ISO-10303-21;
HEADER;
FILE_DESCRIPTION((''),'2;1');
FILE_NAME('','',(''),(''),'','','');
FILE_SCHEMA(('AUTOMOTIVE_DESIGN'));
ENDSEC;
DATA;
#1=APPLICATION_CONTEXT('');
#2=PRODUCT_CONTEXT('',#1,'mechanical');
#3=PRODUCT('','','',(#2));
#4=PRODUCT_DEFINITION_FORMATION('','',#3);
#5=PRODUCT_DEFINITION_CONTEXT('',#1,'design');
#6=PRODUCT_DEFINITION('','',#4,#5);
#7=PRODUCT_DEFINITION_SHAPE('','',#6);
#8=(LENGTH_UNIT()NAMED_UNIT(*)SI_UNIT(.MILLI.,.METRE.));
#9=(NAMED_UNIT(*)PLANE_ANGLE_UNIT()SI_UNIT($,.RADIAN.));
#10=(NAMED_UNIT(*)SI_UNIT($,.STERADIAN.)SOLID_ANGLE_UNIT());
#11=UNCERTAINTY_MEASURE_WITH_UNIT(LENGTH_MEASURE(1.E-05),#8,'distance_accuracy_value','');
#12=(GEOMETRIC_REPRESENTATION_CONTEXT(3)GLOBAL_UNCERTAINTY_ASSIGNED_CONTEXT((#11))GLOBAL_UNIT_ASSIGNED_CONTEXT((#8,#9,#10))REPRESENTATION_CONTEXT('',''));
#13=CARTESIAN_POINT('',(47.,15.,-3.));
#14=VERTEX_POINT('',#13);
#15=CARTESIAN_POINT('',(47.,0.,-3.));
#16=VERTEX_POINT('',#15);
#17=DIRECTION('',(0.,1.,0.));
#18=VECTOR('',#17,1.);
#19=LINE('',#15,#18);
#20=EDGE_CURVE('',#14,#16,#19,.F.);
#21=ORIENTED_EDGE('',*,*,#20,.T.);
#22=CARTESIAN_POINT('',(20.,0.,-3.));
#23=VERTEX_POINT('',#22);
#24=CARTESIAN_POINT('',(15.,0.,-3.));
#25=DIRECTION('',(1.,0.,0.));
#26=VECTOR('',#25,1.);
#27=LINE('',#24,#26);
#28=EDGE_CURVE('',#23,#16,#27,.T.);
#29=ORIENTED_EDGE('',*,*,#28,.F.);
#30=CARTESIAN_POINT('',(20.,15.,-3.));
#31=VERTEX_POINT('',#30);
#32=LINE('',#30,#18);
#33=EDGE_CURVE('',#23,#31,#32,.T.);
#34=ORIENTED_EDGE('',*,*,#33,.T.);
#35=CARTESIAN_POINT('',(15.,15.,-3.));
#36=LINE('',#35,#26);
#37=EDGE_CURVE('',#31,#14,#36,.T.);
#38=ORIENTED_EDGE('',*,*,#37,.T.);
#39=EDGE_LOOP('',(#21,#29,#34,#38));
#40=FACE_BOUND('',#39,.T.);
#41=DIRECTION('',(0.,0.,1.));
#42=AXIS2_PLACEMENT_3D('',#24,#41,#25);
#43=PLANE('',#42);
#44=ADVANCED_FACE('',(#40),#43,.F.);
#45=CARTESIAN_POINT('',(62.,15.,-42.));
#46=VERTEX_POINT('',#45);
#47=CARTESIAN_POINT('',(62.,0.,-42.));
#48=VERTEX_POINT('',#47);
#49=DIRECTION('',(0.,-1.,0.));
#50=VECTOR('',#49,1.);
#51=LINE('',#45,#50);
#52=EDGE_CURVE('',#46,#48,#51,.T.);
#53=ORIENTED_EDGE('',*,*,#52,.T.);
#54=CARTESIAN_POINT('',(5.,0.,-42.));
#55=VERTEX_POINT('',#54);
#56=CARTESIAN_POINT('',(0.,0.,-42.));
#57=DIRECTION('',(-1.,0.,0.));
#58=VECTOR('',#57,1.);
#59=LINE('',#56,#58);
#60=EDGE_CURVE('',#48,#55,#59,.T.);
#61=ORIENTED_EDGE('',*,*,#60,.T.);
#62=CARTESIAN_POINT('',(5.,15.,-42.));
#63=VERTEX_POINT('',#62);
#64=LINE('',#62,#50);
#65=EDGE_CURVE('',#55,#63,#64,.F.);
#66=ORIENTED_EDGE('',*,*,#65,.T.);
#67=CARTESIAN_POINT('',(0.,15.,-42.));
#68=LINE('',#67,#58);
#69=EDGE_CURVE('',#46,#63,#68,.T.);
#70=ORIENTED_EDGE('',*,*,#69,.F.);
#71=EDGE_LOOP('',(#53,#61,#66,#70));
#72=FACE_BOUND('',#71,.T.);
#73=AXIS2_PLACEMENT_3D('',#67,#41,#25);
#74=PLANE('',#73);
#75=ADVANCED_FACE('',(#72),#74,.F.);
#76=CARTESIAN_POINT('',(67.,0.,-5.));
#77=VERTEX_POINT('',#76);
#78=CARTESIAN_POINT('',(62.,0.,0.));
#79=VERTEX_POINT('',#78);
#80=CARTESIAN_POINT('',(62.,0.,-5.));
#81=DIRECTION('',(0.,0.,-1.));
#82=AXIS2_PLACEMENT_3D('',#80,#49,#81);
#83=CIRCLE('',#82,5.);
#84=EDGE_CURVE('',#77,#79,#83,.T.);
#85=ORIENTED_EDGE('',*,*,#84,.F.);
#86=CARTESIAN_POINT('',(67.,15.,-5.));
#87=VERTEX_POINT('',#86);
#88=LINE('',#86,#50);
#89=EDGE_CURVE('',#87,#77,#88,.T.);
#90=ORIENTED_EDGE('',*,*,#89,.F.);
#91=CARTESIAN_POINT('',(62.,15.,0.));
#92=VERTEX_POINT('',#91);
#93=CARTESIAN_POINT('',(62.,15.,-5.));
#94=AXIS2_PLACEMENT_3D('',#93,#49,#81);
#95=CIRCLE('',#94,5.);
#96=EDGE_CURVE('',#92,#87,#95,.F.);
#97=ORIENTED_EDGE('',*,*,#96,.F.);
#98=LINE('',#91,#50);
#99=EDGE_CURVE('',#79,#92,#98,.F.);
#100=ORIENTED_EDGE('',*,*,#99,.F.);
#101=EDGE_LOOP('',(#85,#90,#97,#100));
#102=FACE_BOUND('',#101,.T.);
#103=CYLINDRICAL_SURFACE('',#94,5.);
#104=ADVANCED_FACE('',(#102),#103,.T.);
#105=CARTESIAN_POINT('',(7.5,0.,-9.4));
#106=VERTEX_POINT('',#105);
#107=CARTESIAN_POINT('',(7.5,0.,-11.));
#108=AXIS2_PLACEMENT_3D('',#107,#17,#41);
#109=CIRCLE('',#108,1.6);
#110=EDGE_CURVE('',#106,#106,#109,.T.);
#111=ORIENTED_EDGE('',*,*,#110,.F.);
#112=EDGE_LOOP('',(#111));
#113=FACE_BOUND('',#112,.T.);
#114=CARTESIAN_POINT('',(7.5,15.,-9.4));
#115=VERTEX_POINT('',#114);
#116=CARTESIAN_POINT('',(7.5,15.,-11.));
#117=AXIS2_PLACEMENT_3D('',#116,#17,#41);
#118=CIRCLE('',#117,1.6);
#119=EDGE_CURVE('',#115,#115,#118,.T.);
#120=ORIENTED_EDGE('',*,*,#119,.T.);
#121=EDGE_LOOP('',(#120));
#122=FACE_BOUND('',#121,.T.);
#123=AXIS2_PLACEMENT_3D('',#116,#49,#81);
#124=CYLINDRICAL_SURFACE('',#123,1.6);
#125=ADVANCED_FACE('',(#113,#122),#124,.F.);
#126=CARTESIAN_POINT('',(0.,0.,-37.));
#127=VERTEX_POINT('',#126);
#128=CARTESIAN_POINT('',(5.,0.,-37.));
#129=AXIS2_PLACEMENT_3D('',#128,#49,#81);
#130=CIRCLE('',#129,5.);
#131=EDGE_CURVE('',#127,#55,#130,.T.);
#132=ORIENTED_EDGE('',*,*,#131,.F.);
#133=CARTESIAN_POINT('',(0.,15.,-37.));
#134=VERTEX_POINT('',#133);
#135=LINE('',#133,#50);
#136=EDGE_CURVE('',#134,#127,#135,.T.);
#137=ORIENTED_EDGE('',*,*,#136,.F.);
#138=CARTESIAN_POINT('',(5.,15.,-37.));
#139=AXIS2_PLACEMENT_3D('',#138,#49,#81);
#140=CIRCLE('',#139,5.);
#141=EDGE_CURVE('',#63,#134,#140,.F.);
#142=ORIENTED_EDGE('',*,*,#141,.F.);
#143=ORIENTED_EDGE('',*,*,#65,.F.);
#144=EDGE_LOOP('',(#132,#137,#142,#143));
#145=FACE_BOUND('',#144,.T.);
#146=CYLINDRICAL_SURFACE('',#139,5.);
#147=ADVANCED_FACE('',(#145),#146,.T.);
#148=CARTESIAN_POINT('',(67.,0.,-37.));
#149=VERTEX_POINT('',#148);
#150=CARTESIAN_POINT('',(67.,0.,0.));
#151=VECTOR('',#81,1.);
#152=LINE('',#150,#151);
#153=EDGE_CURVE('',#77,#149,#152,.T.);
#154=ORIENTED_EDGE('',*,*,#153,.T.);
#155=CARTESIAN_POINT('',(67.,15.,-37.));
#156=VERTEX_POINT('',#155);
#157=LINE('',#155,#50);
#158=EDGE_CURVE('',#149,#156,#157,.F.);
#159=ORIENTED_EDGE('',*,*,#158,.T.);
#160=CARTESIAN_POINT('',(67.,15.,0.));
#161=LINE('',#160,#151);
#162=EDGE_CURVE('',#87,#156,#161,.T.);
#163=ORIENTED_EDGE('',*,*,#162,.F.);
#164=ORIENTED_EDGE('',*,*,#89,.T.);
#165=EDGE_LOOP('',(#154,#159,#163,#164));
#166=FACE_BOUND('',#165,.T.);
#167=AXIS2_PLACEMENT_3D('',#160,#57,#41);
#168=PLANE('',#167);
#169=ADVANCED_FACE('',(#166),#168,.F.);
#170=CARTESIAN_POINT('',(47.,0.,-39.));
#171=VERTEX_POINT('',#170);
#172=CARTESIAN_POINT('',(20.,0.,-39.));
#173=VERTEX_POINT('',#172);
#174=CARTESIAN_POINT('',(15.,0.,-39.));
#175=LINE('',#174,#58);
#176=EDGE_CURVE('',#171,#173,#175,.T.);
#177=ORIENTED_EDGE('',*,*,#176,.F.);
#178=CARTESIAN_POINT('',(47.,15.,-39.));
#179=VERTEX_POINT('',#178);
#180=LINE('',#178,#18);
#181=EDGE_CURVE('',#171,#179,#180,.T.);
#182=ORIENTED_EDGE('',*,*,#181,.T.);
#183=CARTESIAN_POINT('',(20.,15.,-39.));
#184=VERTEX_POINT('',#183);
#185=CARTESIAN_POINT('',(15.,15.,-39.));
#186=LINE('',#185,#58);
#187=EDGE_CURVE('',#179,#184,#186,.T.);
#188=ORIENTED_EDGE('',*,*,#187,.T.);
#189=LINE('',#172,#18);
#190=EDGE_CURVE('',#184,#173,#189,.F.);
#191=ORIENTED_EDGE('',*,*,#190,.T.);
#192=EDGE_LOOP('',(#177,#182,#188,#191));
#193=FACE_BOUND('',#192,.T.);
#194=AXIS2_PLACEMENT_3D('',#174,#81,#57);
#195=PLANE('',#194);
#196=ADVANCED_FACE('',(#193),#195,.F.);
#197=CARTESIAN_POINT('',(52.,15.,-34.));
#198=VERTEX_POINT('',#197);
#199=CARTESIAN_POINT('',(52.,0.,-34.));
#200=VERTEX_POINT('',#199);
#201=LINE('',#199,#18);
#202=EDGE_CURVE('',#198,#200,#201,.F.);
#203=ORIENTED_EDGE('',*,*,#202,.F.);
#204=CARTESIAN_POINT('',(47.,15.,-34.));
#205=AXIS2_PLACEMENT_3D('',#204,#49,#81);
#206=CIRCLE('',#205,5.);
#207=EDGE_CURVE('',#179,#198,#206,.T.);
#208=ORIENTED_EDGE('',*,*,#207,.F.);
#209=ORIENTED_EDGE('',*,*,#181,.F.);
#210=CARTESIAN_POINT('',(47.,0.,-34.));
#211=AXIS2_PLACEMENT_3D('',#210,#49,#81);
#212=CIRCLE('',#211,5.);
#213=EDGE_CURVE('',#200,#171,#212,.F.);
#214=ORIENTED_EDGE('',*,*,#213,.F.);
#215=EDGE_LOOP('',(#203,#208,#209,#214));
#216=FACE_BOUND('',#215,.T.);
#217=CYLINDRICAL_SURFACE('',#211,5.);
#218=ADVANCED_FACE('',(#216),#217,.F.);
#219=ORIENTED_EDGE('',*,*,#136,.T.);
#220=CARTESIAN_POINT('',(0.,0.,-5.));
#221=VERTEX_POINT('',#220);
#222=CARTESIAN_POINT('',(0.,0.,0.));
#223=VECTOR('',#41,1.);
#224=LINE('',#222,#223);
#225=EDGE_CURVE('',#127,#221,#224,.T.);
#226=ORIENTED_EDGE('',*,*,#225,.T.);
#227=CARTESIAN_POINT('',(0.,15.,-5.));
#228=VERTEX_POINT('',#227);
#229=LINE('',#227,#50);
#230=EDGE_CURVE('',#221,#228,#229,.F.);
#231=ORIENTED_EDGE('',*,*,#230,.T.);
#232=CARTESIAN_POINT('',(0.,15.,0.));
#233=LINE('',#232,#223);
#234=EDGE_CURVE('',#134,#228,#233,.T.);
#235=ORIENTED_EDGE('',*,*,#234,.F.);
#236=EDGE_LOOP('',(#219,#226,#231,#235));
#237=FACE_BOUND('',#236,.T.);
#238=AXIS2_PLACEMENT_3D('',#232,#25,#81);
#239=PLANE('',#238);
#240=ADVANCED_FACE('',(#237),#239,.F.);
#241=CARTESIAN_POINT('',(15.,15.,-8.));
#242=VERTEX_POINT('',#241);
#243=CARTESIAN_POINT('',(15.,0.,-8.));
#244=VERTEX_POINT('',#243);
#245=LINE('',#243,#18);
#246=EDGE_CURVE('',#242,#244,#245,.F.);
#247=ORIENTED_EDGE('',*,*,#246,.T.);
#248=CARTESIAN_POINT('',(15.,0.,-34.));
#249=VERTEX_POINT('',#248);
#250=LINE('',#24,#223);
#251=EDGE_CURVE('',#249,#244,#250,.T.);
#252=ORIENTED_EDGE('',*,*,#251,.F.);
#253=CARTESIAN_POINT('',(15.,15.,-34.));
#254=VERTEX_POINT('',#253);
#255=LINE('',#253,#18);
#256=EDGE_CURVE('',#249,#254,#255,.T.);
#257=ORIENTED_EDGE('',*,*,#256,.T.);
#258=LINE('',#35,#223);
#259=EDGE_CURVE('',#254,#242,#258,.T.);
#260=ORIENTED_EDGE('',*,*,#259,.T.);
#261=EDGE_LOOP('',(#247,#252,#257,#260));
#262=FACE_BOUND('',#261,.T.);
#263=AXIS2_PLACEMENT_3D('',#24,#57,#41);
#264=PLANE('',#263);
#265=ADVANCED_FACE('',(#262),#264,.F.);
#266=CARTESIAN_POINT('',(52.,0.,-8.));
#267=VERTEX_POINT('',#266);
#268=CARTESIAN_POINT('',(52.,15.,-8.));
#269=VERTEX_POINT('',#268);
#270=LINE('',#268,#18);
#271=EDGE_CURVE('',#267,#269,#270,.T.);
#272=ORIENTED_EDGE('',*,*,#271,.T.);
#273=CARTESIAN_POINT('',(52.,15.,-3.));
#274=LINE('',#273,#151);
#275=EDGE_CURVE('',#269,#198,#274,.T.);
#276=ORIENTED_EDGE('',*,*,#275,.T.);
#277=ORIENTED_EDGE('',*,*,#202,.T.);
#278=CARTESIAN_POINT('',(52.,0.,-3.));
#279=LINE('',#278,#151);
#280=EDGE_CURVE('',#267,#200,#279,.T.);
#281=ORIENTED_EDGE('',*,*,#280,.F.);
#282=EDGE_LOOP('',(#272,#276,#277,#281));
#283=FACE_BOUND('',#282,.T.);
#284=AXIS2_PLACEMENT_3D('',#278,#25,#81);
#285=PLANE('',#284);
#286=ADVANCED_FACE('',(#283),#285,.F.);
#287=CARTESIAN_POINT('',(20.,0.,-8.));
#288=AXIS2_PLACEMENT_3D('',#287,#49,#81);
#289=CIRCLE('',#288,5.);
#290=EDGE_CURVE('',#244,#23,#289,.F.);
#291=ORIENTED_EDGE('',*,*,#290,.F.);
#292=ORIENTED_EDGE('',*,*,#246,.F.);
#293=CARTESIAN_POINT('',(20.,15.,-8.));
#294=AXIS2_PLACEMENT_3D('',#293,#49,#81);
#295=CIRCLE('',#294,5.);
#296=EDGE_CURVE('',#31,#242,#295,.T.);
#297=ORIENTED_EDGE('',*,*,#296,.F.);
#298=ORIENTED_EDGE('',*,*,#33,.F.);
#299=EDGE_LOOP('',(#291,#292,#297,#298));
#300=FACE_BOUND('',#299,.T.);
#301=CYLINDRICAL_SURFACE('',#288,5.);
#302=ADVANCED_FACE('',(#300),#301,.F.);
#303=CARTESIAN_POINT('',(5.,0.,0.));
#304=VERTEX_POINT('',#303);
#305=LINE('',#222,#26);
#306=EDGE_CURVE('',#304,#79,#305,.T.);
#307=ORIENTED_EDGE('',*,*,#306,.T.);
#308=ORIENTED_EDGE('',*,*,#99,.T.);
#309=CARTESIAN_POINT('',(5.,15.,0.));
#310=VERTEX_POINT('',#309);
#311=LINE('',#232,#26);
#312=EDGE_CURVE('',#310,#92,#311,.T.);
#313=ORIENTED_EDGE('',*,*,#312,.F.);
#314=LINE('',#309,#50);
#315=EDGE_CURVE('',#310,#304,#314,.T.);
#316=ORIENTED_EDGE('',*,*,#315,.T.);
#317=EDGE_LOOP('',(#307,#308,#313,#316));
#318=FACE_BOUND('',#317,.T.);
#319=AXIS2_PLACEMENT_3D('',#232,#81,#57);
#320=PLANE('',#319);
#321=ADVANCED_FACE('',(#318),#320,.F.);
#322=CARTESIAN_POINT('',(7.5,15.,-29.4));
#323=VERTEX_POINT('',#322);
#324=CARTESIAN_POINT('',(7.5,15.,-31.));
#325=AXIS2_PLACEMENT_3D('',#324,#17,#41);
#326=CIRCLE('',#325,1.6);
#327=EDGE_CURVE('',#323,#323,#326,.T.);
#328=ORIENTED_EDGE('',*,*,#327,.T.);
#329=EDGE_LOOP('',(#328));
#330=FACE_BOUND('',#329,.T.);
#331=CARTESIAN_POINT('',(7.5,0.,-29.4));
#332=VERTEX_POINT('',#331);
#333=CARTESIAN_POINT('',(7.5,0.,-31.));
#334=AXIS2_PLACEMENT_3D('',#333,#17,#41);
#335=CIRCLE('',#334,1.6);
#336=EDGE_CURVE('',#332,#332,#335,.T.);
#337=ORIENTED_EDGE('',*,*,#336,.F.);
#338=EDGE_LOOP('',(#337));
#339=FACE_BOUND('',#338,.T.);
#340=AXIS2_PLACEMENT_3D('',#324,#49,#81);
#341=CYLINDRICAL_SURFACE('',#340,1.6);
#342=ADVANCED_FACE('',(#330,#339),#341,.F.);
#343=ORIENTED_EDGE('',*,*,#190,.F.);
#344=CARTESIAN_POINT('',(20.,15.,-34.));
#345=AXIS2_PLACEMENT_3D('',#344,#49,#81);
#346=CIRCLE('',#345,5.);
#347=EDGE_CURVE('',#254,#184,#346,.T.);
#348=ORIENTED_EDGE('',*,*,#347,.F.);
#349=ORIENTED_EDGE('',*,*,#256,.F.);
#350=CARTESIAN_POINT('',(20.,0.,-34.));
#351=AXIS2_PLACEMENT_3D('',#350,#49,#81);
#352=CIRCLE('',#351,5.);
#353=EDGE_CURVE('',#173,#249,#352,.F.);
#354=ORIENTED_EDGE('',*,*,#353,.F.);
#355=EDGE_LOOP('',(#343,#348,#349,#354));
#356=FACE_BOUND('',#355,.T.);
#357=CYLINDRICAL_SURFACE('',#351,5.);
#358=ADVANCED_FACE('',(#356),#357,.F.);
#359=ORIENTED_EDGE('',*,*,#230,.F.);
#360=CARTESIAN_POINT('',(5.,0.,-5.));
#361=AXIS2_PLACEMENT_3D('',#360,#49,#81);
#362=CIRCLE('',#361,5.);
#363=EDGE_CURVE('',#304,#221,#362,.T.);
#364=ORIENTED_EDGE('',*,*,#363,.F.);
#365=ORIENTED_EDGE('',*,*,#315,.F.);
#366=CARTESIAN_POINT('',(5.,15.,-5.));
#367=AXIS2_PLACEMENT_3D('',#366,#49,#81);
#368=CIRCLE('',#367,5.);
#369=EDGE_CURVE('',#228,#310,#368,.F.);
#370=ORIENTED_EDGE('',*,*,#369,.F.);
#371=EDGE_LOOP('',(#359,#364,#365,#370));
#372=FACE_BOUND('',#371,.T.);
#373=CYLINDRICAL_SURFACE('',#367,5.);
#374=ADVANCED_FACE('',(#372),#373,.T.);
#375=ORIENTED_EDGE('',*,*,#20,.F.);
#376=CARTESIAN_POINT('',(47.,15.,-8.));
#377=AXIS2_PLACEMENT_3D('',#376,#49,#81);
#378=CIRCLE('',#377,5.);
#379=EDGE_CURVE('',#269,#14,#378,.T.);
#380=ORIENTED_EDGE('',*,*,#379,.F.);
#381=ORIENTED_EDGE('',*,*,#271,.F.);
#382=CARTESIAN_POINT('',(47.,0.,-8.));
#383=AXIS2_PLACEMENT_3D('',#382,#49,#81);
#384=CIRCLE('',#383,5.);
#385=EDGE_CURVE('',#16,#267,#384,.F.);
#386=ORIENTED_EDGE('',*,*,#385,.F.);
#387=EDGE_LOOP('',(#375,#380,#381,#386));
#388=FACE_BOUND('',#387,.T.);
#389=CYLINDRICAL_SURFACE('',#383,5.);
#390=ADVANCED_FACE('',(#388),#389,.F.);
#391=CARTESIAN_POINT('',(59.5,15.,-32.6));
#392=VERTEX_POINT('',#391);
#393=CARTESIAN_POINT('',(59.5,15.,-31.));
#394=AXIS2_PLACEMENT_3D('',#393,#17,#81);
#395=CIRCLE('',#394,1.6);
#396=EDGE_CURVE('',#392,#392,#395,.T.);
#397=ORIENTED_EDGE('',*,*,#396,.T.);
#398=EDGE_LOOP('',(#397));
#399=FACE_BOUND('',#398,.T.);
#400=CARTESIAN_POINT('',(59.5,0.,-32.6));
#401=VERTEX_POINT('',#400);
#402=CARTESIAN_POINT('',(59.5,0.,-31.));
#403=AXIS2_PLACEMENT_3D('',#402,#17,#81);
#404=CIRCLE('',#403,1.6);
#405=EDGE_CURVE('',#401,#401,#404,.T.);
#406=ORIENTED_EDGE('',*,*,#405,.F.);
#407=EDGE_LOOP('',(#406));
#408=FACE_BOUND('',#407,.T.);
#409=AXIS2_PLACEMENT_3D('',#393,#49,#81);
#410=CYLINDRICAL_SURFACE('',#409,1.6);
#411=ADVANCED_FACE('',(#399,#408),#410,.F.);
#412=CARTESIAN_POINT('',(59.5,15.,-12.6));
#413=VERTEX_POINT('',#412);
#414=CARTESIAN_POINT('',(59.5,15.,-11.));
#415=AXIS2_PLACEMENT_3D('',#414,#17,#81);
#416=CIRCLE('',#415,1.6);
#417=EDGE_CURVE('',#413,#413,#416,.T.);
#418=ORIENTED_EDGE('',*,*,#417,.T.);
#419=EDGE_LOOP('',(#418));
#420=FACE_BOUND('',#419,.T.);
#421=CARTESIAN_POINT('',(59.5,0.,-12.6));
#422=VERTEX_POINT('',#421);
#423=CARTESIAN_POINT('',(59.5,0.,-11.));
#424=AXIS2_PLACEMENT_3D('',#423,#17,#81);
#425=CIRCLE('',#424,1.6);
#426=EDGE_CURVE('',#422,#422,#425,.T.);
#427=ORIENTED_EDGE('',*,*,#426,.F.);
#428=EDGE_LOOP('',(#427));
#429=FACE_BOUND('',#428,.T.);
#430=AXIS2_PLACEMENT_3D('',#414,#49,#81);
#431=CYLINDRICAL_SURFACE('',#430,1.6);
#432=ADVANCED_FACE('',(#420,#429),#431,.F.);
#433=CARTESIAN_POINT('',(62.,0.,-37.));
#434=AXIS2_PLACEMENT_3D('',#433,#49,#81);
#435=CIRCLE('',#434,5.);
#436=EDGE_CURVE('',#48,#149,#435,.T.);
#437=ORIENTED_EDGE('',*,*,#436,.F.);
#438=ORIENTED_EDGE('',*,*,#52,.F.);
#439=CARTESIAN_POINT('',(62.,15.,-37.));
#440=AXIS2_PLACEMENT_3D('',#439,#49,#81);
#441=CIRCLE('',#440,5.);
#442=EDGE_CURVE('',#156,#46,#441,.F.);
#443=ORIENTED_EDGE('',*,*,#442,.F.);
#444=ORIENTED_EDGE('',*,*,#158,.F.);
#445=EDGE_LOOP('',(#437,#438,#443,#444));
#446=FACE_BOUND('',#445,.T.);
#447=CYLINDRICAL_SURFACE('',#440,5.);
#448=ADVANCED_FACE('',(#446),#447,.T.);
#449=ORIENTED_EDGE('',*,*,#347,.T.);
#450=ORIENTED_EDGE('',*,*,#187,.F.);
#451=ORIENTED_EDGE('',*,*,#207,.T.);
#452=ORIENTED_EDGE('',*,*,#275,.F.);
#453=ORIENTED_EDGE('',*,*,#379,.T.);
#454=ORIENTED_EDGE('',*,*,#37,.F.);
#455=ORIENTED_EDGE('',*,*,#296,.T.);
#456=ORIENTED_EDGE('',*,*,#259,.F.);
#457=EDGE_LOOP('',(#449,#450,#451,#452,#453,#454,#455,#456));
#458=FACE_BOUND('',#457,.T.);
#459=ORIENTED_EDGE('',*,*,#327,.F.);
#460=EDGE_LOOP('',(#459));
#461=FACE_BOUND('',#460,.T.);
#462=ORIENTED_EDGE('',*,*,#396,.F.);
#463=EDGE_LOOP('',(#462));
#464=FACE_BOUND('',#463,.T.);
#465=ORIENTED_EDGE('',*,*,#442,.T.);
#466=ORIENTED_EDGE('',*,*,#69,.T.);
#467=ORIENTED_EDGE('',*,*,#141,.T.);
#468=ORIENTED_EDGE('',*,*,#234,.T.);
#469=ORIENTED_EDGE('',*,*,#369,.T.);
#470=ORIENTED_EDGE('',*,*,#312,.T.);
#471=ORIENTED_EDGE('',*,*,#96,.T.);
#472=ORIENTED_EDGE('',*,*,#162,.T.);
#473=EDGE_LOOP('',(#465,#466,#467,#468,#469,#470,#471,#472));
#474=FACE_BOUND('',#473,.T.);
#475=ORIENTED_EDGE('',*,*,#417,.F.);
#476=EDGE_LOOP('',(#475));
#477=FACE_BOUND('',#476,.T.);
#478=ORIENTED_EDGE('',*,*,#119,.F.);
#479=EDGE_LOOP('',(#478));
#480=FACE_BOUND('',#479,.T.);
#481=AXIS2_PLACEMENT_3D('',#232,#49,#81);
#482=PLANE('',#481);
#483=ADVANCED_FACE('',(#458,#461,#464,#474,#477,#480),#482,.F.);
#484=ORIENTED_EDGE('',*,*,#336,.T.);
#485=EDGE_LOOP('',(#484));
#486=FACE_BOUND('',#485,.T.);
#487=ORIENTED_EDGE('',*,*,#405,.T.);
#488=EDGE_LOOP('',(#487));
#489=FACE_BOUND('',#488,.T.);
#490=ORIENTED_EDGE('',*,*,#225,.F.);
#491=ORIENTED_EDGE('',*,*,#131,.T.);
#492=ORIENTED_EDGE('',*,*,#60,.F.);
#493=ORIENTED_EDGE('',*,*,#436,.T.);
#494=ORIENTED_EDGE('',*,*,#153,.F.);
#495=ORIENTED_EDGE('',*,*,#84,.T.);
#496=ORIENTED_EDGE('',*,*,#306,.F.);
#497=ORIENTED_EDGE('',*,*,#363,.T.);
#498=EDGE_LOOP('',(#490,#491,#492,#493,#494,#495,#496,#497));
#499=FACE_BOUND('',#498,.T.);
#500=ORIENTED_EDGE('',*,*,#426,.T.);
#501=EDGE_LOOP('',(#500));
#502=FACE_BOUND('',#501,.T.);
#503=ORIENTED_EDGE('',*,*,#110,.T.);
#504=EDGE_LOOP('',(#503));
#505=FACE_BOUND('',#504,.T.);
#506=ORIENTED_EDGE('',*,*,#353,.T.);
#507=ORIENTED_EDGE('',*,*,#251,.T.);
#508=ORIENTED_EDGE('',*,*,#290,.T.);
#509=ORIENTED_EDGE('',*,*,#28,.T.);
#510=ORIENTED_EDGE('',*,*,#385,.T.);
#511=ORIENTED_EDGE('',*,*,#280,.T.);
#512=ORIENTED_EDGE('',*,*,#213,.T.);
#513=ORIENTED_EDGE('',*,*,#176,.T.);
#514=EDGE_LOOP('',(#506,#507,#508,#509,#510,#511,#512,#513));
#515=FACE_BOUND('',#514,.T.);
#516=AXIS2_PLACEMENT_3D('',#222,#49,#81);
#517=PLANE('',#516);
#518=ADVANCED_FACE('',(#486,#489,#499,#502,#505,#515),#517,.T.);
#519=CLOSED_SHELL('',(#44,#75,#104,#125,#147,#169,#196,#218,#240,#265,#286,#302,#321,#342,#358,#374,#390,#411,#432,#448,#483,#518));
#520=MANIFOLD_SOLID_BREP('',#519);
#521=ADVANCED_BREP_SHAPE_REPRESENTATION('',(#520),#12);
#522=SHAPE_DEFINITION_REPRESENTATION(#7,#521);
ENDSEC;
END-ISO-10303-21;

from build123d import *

# Parameters (mm, degrees)
SKETCH1_W           = 67
SKETCH1_H           = 42
SKETCH1_R           = 1.6
BOSS_EXTRUDE1_DEPTH = 15
SKETCH2_W           = 37
SKETCH2_H           = 36
CUT_EXTRUDE1_DEPTH  = 16
FILLET1_R           = 5


with BuildPart() as part:
    # Sketch1 → Boss-Extrude1 (new body)
    with BuildSketch(Plane(origin=(0, 0, 0), x_dir=(1, 0, 0), z_dir=(0, 1, 0))):
        with Locations((33.5, 21)):
            Rectangle(SKETCH1_W, SKETCH1_H)
        with Locations((7.5, 31)):
            Circle(SKETCH1_R, mode=Mode.SUBTRACT)
        with Locations((7.5, 11)):
            Circle(SKETCH1_R, mode=Mode.SUBTRACT)
        with Locations((59.5, 11)):
            Circle(SKETCH1_R, mode=Mode.SUBTRACT)
        with Locations((59.5, 31)):
            Circle(SKETCH1_R, mode=Mode.SUBTRACT)
    extrude(amount=BOSS_EXTRUDE1_DEPTH)

    # Sketch2 → Cut-Extrude1 (cut, through all)
    with BuildSketch(Plane(origin=(0, 15, 0), x_dir=(1, 0, 0), z_dir=(0, 1, 0))):
        with Locations((33.5, 21)):
            Rectangle(SKETCH2_W, SKETCH2_H)
    extrude(amount=-CUT_EXTRUDE1_DEPTH, mode=Mode.SUBTRACT)

    # Fillet1
    fillet1_edges = [part.edges().sort_by_distance(p)[0] for p in [
        (52, 7.5, -39),
        (52, 7.5, -3),
        (15, 7.5, -3),
        (15, 7.5, -39),
        (0, 7.5, -42),
        (67, 7.5, -42),
        (67, 7.5, 0),
        (0, 7.5, 0),
    ]]
    fillet(fillet1_edges, radius=FILLET1_R)


solid = part.part
